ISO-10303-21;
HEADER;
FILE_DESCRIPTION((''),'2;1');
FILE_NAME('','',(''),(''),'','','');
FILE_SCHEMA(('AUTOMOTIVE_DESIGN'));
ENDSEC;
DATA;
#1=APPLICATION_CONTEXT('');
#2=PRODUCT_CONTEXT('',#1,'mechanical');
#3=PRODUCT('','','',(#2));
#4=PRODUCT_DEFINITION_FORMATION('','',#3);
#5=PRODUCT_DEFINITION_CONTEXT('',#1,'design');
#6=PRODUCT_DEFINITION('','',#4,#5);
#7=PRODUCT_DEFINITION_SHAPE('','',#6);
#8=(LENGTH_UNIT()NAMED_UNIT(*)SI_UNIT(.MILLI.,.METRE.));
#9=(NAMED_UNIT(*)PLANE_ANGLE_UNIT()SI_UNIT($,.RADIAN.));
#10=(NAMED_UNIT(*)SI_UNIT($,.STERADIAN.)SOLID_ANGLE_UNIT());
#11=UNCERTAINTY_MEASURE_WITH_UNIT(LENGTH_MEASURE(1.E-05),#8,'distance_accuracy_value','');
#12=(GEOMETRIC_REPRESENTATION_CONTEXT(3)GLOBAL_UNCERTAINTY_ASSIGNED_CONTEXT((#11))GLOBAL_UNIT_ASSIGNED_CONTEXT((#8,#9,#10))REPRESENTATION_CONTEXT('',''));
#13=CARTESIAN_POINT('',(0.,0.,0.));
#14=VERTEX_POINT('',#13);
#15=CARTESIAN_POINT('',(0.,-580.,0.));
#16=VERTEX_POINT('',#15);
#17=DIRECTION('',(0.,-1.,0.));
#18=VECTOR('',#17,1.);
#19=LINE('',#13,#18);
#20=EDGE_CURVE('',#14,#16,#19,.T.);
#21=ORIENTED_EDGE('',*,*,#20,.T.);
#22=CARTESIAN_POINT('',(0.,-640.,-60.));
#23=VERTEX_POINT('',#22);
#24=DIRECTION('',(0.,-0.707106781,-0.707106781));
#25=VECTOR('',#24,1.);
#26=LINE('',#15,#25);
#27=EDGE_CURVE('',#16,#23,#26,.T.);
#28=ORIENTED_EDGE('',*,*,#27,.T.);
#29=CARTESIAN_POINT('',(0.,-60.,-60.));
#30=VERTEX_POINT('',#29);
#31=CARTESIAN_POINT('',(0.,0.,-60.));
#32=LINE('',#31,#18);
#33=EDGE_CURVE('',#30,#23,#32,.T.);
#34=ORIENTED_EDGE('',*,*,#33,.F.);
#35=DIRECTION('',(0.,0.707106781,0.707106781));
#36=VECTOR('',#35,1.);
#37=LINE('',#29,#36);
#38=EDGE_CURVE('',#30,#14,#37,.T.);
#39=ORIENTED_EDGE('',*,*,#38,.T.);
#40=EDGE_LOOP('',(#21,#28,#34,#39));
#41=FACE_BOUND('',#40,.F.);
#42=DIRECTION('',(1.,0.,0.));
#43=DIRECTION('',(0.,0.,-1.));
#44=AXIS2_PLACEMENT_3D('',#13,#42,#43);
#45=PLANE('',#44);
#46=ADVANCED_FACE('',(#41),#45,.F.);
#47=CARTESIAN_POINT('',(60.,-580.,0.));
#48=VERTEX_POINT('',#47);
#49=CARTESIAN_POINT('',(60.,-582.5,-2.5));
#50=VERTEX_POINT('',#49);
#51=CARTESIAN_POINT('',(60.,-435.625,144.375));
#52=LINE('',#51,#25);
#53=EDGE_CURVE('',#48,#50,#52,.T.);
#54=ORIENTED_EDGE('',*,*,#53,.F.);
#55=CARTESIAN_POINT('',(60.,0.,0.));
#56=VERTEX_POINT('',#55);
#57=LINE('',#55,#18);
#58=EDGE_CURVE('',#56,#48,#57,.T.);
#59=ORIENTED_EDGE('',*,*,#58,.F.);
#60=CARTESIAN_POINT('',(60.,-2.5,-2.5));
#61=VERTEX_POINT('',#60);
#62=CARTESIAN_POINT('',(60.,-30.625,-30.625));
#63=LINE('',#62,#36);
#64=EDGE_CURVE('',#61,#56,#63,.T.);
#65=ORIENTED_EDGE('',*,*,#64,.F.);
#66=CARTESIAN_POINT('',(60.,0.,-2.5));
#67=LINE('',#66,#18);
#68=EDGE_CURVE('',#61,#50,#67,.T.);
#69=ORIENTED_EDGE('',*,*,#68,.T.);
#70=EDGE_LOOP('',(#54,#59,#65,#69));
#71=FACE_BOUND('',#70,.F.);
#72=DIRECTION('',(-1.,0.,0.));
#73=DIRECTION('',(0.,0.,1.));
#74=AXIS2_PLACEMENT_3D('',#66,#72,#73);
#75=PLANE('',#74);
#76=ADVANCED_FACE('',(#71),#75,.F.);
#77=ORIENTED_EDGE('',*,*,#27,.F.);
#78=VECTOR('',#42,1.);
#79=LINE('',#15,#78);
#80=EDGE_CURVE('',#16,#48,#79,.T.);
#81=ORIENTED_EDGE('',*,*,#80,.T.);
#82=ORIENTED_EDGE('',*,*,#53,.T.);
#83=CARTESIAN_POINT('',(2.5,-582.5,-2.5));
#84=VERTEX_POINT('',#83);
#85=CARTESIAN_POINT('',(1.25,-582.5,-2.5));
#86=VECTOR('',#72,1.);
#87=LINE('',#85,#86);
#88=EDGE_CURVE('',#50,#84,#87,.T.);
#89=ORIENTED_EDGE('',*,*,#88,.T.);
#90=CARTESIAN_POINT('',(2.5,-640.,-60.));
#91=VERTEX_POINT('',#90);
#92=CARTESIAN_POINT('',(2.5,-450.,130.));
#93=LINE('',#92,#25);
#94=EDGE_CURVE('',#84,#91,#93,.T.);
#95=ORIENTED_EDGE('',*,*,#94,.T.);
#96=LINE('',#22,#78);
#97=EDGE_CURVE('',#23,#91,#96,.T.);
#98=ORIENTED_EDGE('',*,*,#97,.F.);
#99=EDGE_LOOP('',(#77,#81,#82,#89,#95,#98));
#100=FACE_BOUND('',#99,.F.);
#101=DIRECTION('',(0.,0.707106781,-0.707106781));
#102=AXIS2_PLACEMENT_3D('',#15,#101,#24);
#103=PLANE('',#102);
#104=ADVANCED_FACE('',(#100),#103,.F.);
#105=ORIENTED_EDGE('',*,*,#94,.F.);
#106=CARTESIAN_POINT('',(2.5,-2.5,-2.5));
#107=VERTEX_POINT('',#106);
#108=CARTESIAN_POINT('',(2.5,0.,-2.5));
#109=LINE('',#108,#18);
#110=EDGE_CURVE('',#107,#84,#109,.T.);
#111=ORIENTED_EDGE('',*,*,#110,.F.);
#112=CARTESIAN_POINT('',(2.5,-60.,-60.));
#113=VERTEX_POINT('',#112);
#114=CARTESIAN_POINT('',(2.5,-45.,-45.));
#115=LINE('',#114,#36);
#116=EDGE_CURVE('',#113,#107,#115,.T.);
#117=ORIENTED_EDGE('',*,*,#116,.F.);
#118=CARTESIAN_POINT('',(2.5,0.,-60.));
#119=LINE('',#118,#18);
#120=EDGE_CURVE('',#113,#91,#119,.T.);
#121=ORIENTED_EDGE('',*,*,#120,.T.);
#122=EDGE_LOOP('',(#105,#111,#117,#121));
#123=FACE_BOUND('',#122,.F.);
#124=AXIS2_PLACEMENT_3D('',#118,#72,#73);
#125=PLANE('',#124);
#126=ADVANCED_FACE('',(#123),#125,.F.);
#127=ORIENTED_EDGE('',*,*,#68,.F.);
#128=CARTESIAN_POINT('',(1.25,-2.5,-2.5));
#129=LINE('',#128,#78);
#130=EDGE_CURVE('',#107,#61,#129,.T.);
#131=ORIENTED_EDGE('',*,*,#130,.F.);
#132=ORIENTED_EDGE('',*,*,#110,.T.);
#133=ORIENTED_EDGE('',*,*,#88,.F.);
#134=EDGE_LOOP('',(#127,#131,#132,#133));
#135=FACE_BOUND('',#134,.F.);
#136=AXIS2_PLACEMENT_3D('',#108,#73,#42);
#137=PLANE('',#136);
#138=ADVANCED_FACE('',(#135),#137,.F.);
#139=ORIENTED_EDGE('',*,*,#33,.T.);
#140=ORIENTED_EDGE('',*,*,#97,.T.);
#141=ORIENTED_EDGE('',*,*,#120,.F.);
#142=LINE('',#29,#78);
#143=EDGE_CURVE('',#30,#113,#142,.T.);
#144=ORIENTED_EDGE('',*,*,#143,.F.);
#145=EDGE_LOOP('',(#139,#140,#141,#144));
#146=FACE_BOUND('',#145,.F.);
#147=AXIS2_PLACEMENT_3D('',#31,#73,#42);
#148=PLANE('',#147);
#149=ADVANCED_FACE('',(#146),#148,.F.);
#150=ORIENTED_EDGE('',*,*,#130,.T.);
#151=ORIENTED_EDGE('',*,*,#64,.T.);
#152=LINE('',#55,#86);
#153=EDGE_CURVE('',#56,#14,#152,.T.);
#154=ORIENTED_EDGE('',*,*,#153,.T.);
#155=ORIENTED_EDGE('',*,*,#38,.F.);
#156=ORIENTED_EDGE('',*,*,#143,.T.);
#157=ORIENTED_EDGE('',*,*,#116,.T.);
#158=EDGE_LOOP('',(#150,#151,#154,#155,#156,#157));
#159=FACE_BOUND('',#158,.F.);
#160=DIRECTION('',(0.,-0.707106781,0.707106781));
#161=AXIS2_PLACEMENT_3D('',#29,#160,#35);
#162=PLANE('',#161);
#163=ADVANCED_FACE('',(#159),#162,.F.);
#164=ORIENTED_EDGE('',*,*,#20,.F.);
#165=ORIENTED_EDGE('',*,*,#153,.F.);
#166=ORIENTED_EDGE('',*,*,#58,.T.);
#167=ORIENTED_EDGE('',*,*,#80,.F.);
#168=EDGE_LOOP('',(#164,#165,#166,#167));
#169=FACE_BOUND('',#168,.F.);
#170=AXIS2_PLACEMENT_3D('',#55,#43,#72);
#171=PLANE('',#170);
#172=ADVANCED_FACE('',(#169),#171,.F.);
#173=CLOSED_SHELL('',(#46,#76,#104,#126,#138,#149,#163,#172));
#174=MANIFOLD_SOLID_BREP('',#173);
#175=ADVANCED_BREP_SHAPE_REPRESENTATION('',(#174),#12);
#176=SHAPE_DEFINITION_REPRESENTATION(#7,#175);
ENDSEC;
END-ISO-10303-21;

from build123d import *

# Parameters (mm, degrees)
F1_DEPTH = 640
F3_DEPTH = 60.001


with BuildPart() as f1:
    # F0 (on Front) → F1 (new body)
    with BuildSketch(Plane.XZ):
        Polygon((60, 0), (0, 0), (0, -60), (2.5, -60), (2.5, -2.5), (60, -2.5), align=None)
    extrude(amount=F1_DEPTH)

    # F2 (on face) → F3 (cut, through all)
    with BuildSketch(Plane(origin=(0, 0, 0), x_dir=(0, -1, 0), z_dir=(-1, 0, 0))):
        Polygon((60, -60), (0, 0), (0, -60), align=None)
        Polygon((580, 0), (640, -60), (640, 0), align=None)
    extrude(amount=-F3_DEPTH, mode=Mode.SUBTRACT)


solid = f1.part
